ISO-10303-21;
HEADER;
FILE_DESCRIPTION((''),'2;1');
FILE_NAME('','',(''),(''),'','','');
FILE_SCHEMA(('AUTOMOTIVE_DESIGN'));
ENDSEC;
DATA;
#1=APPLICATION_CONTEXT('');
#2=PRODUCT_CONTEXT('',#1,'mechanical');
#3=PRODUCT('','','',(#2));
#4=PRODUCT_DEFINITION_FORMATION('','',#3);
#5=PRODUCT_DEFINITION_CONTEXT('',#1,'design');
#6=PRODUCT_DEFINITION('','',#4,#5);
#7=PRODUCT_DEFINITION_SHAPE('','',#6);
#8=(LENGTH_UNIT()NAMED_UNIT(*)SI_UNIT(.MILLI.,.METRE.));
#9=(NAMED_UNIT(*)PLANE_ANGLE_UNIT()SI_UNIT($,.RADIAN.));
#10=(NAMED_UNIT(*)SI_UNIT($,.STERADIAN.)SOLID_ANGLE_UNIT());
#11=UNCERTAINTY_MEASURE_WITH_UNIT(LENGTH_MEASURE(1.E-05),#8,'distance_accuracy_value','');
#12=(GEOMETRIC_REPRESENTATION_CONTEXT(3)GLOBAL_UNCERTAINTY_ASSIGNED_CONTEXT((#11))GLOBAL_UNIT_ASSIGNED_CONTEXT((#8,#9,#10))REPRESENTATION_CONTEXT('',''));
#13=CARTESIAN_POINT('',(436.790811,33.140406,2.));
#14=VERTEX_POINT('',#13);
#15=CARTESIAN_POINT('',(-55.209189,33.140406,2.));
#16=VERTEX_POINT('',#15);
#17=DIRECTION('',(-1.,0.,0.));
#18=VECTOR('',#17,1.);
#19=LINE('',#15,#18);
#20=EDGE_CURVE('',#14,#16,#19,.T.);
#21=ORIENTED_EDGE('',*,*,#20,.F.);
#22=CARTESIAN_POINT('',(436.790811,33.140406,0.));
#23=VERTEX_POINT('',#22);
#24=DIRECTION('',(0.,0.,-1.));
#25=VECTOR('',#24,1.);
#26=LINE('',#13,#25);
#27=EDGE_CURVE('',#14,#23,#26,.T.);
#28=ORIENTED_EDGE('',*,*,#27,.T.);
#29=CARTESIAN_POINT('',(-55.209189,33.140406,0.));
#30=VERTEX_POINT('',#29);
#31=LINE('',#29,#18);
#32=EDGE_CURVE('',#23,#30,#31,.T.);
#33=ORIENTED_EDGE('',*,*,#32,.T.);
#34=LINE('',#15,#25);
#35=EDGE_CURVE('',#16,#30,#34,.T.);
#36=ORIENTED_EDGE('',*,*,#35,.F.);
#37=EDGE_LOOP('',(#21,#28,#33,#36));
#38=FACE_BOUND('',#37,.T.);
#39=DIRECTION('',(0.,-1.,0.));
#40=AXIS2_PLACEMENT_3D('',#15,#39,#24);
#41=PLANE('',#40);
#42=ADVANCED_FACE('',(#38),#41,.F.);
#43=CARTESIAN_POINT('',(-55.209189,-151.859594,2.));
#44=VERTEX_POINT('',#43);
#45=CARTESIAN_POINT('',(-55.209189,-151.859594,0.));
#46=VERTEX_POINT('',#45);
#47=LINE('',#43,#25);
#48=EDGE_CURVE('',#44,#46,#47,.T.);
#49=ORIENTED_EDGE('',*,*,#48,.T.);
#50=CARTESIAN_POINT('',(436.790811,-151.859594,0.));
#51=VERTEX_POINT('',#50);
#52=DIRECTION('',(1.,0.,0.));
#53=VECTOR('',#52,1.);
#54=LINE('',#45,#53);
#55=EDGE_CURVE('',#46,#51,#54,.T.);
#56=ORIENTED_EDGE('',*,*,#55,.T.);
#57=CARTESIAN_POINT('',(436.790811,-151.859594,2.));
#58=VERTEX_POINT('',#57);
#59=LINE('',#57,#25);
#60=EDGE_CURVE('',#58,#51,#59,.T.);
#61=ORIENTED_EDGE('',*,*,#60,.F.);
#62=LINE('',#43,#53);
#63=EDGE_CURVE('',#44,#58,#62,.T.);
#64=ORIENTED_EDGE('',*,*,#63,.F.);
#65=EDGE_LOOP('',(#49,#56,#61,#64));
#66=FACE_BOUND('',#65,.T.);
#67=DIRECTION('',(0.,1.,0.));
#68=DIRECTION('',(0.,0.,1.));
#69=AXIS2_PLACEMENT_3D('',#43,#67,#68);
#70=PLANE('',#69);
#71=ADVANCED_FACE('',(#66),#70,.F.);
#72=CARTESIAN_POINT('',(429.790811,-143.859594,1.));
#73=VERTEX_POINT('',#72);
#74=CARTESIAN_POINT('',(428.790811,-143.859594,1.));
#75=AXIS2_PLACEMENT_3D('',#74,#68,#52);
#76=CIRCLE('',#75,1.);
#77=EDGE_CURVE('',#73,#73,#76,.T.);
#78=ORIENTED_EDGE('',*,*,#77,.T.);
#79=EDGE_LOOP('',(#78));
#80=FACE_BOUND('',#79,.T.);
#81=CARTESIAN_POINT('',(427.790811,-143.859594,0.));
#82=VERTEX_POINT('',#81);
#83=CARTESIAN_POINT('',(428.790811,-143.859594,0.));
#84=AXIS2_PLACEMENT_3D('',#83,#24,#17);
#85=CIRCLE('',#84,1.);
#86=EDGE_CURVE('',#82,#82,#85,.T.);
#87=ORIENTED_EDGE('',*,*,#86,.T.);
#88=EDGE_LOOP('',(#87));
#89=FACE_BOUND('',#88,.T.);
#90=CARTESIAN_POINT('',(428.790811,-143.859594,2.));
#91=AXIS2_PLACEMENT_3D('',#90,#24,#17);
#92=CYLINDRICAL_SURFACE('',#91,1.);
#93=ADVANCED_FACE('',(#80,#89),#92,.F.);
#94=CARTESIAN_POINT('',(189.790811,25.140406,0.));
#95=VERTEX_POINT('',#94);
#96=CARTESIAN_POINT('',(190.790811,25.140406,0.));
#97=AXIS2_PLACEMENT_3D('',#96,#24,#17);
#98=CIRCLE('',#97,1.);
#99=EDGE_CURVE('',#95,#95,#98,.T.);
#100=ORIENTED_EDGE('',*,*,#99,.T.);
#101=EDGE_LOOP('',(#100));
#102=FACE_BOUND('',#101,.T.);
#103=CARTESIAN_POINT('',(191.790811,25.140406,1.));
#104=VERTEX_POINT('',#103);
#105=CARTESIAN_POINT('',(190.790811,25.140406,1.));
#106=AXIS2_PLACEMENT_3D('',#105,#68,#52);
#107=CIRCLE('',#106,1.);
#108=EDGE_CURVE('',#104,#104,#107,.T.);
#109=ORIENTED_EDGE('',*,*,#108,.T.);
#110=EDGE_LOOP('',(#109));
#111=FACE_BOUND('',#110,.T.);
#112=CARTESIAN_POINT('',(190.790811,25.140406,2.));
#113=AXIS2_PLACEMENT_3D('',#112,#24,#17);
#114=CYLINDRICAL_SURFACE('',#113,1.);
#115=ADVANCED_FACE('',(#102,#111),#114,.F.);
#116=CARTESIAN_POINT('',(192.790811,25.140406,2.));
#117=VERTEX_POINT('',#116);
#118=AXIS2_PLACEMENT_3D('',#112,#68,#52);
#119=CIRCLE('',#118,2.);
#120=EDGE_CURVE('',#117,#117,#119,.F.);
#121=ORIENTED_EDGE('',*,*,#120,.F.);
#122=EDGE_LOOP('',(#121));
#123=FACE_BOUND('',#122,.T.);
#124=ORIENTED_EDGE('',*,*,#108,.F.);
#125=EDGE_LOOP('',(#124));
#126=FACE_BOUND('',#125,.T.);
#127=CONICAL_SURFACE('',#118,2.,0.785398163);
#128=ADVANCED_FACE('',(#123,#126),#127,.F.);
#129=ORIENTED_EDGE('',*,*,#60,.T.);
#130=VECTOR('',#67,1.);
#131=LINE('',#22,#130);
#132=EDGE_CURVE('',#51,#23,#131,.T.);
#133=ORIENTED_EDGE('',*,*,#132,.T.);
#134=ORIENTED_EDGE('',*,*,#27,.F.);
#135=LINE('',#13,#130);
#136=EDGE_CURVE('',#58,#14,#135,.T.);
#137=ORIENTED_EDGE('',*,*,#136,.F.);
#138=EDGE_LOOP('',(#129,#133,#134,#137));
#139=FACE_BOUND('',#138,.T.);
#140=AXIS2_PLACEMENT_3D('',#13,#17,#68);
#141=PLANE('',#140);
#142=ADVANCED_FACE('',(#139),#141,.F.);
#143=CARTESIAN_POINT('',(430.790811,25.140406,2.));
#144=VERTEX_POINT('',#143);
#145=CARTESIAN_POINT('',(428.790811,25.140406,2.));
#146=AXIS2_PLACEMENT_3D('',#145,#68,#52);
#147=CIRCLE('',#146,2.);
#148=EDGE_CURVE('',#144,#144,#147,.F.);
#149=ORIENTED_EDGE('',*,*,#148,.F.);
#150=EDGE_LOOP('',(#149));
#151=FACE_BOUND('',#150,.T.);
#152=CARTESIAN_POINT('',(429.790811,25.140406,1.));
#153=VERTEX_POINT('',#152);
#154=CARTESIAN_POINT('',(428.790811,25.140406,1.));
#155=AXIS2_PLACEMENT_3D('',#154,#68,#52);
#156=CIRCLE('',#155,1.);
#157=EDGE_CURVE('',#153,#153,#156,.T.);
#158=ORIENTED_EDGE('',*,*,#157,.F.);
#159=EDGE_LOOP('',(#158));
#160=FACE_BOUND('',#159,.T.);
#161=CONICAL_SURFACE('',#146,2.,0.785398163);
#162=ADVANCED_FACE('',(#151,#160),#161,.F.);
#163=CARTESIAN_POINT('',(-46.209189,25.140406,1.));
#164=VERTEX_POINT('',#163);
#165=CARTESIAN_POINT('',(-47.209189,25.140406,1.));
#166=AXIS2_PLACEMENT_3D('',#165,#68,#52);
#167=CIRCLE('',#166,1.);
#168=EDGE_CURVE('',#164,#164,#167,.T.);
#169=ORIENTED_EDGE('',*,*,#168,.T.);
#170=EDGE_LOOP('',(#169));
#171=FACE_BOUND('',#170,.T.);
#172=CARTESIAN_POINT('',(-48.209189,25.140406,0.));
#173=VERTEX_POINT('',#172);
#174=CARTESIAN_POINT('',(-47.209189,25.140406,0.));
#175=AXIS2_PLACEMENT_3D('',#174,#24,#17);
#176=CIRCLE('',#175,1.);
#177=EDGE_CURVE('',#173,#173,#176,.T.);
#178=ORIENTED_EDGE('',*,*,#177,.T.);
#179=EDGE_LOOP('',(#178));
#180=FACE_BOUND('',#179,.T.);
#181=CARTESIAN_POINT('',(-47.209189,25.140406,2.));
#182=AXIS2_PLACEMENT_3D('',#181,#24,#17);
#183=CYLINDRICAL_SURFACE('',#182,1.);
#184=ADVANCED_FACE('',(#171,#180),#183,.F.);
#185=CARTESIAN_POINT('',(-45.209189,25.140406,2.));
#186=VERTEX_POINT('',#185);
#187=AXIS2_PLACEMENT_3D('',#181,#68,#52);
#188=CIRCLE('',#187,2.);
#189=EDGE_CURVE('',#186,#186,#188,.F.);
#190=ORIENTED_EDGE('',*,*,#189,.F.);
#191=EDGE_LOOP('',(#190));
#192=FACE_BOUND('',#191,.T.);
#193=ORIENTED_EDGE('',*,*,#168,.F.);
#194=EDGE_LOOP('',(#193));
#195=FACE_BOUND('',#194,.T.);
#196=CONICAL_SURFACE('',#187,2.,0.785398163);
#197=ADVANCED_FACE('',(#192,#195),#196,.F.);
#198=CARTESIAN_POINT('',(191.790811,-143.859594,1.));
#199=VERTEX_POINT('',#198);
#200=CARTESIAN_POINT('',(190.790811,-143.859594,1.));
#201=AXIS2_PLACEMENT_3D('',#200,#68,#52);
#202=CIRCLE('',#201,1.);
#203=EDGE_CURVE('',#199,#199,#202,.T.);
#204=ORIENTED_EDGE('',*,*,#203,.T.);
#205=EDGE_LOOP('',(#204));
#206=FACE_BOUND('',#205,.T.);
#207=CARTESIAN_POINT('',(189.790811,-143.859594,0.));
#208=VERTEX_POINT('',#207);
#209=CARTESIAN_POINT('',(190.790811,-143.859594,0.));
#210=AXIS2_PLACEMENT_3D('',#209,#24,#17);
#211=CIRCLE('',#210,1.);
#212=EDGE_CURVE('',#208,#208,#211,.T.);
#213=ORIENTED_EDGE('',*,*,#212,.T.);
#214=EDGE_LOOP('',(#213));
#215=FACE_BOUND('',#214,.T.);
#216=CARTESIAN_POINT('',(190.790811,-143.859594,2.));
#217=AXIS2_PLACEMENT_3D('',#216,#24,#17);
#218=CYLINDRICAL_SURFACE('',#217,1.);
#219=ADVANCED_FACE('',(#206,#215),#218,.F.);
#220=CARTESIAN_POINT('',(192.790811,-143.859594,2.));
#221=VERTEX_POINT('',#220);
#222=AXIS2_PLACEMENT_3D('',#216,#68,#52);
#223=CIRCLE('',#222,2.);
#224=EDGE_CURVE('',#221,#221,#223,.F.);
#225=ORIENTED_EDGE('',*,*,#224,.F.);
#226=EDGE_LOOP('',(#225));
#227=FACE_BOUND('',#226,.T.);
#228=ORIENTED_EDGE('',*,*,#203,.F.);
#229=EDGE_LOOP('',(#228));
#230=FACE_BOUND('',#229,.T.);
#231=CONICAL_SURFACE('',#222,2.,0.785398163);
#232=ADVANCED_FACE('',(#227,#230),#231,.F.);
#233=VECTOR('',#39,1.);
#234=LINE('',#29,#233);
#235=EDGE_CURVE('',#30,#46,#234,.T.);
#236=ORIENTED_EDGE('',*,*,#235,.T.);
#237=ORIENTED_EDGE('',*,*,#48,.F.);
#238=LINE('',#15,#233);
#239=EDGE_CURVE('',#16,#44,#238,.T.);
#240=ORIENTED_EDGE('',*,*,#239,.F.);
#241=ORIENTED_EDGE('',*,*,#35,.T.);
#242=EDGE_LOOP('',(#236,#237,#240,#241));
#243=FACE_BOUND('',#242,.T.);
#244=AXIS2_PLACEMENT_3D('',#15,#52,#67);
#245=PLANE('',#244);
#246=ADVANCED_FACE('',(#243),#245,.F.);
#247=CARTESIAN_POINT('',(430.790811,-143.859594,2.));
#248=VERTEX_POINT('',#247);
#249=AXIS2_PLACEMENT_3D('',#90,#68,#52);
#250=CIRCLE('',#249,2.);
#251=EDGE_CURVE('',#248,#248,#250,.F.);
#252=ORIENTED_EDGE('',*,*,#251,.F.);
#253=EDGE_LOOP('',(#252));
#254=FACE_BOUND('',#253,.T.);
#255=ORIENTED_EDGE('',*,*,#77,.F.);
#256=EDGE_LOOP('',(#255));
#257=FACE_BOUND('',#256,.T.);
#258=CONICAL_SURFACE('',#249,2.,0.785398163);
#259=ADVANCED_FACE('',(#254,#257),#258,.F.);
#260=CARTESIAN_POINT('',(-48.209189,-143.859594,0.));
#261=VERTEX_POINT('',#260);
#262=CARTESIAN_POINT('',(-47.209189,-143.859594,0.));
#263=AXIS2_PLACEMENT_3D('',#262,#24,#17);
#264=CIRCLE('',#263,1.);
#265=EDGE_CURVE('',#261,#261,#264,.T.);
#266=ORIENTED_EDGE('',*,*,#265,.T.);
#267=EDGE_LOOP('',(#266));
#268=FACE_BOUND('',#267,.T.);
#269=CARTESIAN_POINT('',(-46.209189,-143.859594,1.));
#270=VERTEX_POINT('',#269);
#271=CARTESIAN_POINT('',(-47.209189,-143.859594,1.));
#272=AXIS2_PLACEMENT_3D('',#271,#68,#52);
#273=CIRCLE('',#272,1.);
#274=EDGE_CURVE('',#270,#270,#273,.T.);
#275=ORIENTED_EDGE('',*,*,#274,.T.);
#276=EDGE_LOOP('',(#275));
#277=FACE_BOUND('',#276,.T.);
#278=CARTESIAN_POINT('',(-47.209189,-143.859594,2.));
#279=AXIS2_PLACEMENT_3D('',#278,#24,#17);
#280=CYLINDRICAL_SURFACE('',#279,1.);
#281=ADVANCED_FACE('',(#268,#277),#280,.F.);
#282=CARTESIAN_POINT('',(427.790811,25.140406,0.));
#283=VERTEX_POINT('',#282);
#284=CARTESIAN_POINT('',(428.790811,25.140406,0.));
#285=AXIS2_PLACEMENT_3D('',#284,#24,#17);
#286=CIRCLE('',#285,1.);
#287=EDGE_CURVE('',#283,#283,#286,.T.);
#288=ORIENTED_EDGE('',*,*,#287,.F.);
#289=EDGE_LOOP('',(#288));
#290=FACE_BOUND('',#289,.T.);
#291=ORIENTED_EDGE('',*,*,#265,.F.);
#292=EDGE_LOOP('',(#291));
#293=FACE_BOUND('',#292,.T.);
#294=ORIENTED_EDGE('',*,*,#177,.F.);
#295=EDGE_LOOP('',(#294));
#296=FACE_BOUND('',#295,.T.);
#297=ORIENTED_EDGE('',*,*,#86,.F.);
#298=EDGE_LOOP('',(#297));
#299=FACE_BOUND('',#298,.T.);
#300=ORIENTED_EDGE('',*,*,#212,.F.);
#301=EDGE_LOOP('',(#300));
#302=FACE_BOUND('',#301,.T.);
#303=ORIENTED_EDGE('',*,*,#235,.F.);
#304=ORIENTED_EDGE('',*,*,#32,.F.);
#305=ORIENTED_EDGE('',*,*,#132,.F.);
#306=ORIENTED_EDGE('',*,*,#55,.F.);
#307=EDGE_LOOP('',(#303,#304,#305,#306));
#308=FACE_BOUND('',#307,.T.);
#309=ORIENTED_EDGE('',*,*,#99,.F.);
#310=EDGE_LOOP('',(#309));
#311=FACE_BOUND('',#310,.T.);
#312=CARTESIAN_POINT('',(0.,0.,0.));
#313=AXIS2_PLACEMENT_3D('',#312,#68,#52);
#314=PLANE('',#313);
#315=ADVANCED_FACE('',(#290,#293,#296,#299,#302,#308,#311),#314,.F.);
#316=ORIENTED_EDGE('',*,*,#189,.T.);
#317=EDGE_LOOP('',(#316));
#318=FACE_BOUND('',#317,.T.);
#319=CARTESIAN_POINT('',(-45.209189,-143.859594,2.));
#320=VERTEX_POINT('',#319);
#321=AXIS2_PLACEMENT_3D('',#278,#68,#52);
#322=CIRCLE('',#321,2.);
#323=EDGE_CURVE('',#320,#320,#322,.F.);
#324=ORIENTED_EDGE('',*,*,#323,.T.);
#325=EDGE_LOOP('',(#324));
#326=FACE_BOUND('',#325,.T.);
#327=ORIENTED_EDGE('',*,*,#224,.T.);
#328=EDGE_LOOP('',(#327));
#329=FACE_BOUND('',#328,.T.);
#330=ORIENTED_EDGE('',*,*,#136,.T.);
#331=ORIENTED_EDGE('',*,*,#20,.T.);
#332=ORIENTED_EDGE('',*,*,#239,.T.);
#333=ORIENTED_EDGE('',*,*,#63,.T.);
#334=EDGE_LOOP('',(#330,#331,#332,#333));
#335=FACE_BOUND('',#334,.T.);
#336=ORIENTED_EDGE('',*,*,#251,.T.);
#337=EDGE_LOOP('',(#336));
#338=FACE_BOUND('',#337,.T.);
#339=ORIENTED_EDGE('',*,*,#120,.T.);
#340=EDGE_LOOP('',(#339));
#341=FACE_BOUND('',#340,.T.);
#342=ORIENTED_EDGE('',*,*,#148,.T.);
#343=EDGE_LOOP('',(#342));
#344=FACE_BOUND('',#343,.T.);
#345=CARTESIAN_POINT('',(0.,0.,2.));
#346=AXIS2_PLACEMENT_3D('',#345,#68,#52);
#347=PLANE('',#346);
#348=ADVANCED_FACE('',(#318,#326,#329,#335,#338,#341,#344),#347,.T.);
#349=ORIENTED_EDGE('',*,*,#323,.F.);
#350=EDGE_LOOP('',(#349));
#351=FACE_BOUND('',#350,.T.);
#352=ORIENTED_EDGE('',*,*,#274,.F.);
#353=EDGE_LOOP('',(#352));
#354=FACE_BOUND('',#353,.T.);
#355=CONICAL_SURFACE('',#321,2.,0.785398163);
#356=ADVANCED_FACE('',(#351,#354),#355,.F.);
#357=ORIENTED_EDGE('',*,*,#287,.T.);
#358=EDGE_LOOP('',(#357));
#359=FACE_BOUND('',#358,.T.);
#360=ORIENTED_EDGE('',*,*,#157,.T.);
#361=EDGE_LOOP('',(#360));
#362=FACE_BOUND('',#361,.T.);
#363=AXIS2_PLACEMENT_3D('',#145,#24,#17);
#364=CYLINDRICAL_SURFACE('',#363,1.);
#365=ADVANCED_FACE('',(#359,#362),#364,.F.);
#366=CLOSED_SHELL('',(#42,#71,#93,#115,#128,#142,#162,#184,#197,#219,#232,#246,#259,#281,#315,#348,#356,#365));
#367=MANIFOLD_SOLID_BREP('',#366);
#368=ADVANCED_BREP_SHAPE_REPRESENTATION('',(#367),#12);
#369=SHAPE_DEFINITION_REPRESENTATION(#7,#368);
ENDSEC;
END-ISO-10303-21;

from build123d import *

# Parameters (mm, degrees)
ESQUISSE1_W             = 492
ESQUISSE1_H             = 185
BOSS_EXTRU_1_DEPTH      = 2
ESQUISSE2_R             = 1
ENL_V_MAT_EXTRU_1_DEPTH = 463.44085993
CHANFREIN1_SIZE         = 1


with BuildPart() as part:
    # Esquisse1 → Boss.-Extru.1 (new body)
    with BuildSketch(Plane.XY):
        with Locations((190.790811191, -59.359593679)):
            Rectangle(ESQUISSE1_W, ESQUISSE1_H)
    extrude(amount=BOSS_EXTRU_1_DEPTH)

    # Esquisse2 → Enlèv. mat.-Extru.1 (cut, through all)
    with BuildSketch(Plane(origin=(0, 0, 0), x_dir=(-1, 0, 0), z_dir=(0, 0, -1))):
        with Locations((47.209188809, 25.140406321)):
            Circle(ESQUISSE2_R)
        with Locations((-190.790811191, 25.140406321)):
            Circle(ESQUISSE2_R)
        with Locations((-428.790811191, 25.140406321)):
            Circle(ESQUISSE2_R)
        with Locations((47.209188809, -143.859593679)):
            Circle(ESQUISSE2_R)
        with Locations((-190.790811191, -143.859593679)):
            Circle(ESQUISSE2_R)
        with Locations((-428.790811191, -143.859593679)):
            Circle(ESQUISSE2_R)
    extrude(amount=-ENL_V_MAT_EXTRU_1_DEPTH, mode=Mode.SUBTRACT)

    # Chanfrein1
    chanfrein1_edges = [part.edges().sort_by_distance(p)[0] for p in [
        (-46.209188809, 25.140406321, 2),
        (191.790811191, 25.140406321, 2),
        (429.790811191, 25.140406321, 2),
        (-46.209188809, -143.859593679, 2),
        (191.790811191, -143.859593679, 2),
        (429.790811191, -143.859593679, 2),
    ]]
    chamfer(chanfrein1_edges, length=CHANFREIN1_SIZE)


solid = part.part
